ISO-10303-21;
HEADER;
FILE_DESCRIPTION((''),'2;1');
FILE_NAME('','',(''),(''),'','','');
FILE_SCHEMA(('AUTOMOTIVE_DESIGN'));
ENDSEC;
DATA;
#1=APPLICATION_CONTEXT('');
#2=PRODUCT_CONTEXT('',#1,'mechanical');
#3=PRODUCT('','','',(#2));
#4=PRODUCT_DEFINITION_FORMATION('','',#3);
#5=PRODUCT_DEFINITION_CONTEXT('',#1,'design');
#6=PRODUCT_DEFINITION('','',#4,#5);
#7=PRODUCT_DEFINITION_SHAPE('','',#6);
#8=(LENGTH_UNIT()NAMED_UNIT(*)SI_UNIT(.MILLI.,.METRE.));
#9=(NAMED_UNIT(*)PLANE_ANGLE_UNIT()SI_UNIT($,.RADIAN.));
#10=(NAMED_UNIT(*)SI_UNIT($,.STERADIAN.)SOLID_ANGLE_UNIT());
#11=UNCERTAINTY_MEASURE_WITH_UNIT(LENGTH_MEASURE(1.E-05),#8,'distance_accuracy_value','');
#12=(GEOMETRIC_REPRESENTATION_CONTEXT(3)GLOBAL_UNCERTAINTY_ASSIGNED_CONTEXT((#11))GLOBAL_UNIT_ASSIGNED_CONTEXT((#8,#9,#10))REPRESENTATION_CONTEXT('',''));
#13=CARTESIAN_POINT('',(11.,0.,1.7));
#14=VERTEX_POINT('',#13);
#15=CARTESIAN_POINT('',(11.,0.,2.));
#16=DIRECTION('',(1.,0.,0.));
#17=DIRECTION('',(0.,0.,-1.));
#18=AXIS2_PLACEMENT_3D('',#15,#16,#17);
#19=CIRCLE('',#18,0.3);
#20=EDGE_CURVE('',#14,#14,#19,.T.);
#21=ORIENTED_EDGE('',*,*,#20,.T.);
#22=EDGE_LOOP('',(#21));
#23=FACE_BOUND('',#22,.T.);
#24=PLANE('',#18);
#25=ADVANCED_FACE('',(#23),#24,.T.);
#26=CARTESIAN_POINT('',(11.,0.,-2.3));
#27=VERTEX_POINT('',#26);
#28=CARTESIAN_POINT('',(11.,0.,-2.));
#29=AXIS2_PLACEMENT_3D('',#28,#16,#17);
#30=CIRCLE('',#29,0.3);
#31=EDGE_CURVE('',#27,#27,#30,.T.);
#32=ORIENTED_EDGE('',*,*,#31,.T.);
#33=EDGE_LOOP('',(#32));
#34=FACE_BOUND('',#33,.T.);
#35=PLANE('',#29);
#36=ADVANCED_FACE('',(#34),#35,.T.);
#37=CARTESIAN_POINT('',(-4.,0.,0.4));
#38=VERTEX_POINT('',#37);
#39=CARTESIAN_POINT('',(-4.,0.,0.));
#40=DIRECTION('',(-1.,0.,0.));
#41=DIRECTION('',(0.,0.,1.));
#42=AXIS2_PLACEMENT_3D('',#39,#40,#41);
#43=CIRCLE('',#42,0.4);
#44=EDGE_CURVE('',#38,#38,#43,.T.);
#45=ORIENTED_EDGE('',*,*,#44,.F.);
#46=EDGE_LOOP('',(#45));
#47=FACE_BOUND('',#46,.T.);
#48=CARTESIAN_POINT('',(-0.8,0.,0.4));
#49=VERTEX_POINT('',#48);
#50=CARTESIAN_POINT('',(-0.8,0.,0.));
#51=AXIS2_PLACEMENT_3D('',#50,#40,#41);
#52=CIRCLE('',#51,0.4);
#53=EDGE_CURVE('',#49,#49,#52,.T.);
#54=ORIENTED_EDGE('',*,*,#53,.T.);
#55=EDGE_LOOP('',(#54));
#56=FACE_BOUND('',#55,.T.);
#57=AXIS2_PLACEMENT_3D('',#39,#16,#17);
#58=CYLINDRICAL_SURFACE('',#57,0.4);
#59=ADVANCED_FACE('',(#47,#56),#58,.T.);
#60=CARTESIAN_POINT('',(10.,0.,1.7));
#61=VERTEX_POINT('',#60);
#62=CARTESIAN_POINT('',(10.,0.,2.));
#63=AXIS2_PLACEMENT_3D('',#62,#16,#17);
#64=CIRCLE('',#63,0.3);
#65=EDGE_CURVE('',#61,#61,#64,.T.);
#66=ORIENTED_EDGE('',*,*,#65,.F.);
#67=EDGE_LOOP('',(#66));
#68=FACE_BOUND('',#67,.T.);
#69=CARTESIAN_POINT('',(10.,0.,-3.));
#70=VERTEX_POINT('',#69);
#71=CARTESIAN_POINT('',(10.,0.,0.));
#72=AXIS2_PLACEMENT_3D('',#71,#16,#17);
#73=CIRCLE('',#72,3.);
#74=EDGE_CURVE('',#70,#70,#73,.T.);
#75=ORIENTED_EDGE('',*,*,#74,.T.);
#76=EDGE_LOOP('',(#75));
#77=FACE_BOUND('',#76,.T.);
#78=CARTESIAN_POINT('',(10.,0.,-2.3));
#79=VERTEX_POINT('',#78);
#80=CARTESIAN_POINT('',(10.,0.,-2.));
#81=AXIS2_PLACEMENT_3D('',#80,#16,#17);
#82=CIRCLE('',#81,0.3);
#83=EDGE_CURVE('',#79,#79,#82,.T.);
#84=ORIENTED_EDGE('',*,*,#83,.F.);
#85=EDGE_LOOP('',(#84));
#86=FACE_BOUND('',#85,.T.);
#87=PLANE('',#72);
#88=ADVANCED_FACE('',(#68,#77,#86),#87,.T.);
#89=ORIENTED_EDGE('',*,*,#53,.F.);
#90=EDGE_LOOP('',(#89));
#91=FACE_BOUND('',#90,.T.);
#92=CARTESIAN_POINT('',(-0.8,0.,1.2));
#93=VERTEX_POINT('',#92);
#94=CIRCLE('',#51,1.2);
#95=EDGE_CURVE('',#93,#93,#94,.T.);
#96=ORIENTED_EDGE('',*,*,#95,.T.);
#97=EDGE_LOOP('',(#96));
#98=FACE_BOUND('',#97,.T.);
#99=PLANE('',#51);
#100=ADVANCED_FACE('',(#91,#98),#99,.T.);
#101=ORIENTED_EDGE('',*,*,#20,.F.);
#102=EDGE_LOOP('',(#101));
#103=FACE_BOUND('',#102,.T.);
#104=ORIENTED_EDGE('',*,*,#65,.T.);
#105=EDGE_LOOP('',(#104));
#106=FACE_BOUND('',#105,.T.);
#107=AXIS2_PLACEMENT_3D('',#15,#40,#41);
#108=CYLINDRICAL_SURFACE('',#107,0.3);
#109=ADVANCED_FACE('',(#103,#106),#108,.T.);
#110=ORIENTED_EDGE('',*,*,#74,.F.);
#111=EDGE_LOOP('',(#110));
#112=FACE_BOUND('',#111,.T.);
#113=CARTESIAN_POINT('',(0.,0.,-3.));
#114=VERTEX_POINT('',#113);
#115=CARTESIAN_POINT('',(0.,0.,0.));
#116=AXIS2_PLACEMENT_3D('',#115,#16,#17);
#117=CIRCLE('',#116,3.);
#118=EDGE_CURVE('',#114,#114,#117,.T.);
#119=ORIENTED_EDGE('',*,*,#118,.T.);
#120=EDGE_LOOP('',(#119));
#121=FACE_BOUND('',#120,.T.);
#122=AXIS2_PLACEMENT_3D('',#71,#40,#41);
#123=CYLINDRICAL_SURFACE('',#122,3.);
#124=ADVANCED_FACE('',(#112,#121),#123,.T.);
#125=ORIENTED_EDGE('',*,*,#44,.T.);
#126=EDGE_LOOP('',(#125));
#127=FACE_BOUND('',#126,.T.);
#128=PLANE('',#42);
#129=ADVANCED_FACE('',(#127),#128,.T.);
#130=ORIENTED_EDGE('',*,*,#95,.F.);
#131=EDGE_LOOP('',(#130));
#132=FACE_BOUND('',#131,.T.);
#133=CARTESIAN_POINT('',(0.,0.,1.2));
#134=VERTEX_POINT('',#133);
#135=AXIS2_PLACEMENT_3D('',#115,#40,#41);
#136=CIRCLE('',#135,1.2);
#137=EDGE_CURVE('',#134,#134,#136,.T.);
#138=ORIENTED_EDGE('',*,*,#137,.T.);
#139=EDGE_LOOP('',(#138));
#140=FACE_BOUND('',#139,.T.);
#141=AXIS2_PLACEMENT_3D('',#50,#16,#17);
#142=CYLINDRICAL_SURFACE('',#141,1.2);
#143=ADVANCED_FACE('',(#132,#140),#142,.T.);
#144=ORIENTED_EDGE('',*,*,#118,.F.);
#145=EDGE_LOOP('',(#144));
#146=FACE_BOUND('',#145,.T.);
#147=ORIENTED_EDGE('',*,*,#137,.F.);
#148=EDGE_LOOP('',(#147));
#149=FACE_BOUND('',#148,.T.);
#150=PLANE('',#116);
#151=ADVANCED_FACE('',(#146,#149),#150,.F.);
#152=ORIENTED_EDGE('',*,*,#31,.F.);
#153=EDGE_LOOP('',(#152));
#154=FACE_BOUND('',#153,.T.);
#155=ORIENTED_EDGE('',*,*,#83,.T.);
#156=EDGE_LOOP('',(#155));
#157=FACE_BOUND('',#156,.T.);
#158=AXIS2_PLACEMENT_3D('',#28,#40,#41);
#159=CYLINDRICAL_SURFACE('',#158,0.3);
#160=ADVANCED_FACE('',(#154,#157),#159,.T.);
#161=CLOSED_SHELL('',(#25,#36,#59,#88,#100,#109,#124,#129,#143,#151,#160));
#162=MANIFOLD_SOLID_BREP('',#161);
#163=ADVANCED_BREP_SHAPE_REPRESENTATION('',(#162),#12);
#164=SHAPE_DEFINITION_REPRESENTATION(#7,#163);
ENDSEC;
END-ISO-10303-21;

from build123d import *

# Parameters (mm, degrees)
SKETCH1_R           = 3
BOSS_EXTRUDE1_DEPTH = 10
SKETCH2_R           = 1.2
BOSS_EXTRUDE2_DEPTH = 0.8
SKETCH3_R           = 0.4
BOSS_EXTRUDE3_DEPTH = 3.2
SKETCH4_R           = 0.3
BOSS_EXTRUDE4_DEPTH = 1


with BuildPart() as part:
    # Sketch1 → Boss-Extrude1 (new body)
    with BuildSketch(Plane(origin=(0, 0, 0), x_dir=(0, 0, -1), z_dir=(1, 0, 0))):
        Circle(SKETCH1_R)
    extrude(amount=BOSS_EXTRUDE1_DEPTH)

    # Sketch2 → Boss-Extrude2 (add)
    with BuildSketch(Plane.ZY):
        Circle(SKETCH2_R)
    extrude(amount=BOSS_EXTRUDE2_DEPTH)

    # Sketch3 → Boss-Extrude3 (add)
    with BuildSketch(Plane.ZY.offset(0.8)):
        Circle(SKETCH3_R)
    extrude(amount=BOSS_EXTRUDE3_DEPTH)

    # Sketch4 → Boss-Extrude4 (add)
    with BuildSketch(Plane(origin=(10, 0, 0), x_dir=(0, 0, -1), z_dir=(1, 0, 0))):
        with Locations((-2, 0)):
            Circle(SKETCH4_R)
        with Locations((2, 0)):
            Circle(SKETCH4_R)
    extrude(amount=BOSS_EXTRUDE4_DEPTH)


solid = part.part
